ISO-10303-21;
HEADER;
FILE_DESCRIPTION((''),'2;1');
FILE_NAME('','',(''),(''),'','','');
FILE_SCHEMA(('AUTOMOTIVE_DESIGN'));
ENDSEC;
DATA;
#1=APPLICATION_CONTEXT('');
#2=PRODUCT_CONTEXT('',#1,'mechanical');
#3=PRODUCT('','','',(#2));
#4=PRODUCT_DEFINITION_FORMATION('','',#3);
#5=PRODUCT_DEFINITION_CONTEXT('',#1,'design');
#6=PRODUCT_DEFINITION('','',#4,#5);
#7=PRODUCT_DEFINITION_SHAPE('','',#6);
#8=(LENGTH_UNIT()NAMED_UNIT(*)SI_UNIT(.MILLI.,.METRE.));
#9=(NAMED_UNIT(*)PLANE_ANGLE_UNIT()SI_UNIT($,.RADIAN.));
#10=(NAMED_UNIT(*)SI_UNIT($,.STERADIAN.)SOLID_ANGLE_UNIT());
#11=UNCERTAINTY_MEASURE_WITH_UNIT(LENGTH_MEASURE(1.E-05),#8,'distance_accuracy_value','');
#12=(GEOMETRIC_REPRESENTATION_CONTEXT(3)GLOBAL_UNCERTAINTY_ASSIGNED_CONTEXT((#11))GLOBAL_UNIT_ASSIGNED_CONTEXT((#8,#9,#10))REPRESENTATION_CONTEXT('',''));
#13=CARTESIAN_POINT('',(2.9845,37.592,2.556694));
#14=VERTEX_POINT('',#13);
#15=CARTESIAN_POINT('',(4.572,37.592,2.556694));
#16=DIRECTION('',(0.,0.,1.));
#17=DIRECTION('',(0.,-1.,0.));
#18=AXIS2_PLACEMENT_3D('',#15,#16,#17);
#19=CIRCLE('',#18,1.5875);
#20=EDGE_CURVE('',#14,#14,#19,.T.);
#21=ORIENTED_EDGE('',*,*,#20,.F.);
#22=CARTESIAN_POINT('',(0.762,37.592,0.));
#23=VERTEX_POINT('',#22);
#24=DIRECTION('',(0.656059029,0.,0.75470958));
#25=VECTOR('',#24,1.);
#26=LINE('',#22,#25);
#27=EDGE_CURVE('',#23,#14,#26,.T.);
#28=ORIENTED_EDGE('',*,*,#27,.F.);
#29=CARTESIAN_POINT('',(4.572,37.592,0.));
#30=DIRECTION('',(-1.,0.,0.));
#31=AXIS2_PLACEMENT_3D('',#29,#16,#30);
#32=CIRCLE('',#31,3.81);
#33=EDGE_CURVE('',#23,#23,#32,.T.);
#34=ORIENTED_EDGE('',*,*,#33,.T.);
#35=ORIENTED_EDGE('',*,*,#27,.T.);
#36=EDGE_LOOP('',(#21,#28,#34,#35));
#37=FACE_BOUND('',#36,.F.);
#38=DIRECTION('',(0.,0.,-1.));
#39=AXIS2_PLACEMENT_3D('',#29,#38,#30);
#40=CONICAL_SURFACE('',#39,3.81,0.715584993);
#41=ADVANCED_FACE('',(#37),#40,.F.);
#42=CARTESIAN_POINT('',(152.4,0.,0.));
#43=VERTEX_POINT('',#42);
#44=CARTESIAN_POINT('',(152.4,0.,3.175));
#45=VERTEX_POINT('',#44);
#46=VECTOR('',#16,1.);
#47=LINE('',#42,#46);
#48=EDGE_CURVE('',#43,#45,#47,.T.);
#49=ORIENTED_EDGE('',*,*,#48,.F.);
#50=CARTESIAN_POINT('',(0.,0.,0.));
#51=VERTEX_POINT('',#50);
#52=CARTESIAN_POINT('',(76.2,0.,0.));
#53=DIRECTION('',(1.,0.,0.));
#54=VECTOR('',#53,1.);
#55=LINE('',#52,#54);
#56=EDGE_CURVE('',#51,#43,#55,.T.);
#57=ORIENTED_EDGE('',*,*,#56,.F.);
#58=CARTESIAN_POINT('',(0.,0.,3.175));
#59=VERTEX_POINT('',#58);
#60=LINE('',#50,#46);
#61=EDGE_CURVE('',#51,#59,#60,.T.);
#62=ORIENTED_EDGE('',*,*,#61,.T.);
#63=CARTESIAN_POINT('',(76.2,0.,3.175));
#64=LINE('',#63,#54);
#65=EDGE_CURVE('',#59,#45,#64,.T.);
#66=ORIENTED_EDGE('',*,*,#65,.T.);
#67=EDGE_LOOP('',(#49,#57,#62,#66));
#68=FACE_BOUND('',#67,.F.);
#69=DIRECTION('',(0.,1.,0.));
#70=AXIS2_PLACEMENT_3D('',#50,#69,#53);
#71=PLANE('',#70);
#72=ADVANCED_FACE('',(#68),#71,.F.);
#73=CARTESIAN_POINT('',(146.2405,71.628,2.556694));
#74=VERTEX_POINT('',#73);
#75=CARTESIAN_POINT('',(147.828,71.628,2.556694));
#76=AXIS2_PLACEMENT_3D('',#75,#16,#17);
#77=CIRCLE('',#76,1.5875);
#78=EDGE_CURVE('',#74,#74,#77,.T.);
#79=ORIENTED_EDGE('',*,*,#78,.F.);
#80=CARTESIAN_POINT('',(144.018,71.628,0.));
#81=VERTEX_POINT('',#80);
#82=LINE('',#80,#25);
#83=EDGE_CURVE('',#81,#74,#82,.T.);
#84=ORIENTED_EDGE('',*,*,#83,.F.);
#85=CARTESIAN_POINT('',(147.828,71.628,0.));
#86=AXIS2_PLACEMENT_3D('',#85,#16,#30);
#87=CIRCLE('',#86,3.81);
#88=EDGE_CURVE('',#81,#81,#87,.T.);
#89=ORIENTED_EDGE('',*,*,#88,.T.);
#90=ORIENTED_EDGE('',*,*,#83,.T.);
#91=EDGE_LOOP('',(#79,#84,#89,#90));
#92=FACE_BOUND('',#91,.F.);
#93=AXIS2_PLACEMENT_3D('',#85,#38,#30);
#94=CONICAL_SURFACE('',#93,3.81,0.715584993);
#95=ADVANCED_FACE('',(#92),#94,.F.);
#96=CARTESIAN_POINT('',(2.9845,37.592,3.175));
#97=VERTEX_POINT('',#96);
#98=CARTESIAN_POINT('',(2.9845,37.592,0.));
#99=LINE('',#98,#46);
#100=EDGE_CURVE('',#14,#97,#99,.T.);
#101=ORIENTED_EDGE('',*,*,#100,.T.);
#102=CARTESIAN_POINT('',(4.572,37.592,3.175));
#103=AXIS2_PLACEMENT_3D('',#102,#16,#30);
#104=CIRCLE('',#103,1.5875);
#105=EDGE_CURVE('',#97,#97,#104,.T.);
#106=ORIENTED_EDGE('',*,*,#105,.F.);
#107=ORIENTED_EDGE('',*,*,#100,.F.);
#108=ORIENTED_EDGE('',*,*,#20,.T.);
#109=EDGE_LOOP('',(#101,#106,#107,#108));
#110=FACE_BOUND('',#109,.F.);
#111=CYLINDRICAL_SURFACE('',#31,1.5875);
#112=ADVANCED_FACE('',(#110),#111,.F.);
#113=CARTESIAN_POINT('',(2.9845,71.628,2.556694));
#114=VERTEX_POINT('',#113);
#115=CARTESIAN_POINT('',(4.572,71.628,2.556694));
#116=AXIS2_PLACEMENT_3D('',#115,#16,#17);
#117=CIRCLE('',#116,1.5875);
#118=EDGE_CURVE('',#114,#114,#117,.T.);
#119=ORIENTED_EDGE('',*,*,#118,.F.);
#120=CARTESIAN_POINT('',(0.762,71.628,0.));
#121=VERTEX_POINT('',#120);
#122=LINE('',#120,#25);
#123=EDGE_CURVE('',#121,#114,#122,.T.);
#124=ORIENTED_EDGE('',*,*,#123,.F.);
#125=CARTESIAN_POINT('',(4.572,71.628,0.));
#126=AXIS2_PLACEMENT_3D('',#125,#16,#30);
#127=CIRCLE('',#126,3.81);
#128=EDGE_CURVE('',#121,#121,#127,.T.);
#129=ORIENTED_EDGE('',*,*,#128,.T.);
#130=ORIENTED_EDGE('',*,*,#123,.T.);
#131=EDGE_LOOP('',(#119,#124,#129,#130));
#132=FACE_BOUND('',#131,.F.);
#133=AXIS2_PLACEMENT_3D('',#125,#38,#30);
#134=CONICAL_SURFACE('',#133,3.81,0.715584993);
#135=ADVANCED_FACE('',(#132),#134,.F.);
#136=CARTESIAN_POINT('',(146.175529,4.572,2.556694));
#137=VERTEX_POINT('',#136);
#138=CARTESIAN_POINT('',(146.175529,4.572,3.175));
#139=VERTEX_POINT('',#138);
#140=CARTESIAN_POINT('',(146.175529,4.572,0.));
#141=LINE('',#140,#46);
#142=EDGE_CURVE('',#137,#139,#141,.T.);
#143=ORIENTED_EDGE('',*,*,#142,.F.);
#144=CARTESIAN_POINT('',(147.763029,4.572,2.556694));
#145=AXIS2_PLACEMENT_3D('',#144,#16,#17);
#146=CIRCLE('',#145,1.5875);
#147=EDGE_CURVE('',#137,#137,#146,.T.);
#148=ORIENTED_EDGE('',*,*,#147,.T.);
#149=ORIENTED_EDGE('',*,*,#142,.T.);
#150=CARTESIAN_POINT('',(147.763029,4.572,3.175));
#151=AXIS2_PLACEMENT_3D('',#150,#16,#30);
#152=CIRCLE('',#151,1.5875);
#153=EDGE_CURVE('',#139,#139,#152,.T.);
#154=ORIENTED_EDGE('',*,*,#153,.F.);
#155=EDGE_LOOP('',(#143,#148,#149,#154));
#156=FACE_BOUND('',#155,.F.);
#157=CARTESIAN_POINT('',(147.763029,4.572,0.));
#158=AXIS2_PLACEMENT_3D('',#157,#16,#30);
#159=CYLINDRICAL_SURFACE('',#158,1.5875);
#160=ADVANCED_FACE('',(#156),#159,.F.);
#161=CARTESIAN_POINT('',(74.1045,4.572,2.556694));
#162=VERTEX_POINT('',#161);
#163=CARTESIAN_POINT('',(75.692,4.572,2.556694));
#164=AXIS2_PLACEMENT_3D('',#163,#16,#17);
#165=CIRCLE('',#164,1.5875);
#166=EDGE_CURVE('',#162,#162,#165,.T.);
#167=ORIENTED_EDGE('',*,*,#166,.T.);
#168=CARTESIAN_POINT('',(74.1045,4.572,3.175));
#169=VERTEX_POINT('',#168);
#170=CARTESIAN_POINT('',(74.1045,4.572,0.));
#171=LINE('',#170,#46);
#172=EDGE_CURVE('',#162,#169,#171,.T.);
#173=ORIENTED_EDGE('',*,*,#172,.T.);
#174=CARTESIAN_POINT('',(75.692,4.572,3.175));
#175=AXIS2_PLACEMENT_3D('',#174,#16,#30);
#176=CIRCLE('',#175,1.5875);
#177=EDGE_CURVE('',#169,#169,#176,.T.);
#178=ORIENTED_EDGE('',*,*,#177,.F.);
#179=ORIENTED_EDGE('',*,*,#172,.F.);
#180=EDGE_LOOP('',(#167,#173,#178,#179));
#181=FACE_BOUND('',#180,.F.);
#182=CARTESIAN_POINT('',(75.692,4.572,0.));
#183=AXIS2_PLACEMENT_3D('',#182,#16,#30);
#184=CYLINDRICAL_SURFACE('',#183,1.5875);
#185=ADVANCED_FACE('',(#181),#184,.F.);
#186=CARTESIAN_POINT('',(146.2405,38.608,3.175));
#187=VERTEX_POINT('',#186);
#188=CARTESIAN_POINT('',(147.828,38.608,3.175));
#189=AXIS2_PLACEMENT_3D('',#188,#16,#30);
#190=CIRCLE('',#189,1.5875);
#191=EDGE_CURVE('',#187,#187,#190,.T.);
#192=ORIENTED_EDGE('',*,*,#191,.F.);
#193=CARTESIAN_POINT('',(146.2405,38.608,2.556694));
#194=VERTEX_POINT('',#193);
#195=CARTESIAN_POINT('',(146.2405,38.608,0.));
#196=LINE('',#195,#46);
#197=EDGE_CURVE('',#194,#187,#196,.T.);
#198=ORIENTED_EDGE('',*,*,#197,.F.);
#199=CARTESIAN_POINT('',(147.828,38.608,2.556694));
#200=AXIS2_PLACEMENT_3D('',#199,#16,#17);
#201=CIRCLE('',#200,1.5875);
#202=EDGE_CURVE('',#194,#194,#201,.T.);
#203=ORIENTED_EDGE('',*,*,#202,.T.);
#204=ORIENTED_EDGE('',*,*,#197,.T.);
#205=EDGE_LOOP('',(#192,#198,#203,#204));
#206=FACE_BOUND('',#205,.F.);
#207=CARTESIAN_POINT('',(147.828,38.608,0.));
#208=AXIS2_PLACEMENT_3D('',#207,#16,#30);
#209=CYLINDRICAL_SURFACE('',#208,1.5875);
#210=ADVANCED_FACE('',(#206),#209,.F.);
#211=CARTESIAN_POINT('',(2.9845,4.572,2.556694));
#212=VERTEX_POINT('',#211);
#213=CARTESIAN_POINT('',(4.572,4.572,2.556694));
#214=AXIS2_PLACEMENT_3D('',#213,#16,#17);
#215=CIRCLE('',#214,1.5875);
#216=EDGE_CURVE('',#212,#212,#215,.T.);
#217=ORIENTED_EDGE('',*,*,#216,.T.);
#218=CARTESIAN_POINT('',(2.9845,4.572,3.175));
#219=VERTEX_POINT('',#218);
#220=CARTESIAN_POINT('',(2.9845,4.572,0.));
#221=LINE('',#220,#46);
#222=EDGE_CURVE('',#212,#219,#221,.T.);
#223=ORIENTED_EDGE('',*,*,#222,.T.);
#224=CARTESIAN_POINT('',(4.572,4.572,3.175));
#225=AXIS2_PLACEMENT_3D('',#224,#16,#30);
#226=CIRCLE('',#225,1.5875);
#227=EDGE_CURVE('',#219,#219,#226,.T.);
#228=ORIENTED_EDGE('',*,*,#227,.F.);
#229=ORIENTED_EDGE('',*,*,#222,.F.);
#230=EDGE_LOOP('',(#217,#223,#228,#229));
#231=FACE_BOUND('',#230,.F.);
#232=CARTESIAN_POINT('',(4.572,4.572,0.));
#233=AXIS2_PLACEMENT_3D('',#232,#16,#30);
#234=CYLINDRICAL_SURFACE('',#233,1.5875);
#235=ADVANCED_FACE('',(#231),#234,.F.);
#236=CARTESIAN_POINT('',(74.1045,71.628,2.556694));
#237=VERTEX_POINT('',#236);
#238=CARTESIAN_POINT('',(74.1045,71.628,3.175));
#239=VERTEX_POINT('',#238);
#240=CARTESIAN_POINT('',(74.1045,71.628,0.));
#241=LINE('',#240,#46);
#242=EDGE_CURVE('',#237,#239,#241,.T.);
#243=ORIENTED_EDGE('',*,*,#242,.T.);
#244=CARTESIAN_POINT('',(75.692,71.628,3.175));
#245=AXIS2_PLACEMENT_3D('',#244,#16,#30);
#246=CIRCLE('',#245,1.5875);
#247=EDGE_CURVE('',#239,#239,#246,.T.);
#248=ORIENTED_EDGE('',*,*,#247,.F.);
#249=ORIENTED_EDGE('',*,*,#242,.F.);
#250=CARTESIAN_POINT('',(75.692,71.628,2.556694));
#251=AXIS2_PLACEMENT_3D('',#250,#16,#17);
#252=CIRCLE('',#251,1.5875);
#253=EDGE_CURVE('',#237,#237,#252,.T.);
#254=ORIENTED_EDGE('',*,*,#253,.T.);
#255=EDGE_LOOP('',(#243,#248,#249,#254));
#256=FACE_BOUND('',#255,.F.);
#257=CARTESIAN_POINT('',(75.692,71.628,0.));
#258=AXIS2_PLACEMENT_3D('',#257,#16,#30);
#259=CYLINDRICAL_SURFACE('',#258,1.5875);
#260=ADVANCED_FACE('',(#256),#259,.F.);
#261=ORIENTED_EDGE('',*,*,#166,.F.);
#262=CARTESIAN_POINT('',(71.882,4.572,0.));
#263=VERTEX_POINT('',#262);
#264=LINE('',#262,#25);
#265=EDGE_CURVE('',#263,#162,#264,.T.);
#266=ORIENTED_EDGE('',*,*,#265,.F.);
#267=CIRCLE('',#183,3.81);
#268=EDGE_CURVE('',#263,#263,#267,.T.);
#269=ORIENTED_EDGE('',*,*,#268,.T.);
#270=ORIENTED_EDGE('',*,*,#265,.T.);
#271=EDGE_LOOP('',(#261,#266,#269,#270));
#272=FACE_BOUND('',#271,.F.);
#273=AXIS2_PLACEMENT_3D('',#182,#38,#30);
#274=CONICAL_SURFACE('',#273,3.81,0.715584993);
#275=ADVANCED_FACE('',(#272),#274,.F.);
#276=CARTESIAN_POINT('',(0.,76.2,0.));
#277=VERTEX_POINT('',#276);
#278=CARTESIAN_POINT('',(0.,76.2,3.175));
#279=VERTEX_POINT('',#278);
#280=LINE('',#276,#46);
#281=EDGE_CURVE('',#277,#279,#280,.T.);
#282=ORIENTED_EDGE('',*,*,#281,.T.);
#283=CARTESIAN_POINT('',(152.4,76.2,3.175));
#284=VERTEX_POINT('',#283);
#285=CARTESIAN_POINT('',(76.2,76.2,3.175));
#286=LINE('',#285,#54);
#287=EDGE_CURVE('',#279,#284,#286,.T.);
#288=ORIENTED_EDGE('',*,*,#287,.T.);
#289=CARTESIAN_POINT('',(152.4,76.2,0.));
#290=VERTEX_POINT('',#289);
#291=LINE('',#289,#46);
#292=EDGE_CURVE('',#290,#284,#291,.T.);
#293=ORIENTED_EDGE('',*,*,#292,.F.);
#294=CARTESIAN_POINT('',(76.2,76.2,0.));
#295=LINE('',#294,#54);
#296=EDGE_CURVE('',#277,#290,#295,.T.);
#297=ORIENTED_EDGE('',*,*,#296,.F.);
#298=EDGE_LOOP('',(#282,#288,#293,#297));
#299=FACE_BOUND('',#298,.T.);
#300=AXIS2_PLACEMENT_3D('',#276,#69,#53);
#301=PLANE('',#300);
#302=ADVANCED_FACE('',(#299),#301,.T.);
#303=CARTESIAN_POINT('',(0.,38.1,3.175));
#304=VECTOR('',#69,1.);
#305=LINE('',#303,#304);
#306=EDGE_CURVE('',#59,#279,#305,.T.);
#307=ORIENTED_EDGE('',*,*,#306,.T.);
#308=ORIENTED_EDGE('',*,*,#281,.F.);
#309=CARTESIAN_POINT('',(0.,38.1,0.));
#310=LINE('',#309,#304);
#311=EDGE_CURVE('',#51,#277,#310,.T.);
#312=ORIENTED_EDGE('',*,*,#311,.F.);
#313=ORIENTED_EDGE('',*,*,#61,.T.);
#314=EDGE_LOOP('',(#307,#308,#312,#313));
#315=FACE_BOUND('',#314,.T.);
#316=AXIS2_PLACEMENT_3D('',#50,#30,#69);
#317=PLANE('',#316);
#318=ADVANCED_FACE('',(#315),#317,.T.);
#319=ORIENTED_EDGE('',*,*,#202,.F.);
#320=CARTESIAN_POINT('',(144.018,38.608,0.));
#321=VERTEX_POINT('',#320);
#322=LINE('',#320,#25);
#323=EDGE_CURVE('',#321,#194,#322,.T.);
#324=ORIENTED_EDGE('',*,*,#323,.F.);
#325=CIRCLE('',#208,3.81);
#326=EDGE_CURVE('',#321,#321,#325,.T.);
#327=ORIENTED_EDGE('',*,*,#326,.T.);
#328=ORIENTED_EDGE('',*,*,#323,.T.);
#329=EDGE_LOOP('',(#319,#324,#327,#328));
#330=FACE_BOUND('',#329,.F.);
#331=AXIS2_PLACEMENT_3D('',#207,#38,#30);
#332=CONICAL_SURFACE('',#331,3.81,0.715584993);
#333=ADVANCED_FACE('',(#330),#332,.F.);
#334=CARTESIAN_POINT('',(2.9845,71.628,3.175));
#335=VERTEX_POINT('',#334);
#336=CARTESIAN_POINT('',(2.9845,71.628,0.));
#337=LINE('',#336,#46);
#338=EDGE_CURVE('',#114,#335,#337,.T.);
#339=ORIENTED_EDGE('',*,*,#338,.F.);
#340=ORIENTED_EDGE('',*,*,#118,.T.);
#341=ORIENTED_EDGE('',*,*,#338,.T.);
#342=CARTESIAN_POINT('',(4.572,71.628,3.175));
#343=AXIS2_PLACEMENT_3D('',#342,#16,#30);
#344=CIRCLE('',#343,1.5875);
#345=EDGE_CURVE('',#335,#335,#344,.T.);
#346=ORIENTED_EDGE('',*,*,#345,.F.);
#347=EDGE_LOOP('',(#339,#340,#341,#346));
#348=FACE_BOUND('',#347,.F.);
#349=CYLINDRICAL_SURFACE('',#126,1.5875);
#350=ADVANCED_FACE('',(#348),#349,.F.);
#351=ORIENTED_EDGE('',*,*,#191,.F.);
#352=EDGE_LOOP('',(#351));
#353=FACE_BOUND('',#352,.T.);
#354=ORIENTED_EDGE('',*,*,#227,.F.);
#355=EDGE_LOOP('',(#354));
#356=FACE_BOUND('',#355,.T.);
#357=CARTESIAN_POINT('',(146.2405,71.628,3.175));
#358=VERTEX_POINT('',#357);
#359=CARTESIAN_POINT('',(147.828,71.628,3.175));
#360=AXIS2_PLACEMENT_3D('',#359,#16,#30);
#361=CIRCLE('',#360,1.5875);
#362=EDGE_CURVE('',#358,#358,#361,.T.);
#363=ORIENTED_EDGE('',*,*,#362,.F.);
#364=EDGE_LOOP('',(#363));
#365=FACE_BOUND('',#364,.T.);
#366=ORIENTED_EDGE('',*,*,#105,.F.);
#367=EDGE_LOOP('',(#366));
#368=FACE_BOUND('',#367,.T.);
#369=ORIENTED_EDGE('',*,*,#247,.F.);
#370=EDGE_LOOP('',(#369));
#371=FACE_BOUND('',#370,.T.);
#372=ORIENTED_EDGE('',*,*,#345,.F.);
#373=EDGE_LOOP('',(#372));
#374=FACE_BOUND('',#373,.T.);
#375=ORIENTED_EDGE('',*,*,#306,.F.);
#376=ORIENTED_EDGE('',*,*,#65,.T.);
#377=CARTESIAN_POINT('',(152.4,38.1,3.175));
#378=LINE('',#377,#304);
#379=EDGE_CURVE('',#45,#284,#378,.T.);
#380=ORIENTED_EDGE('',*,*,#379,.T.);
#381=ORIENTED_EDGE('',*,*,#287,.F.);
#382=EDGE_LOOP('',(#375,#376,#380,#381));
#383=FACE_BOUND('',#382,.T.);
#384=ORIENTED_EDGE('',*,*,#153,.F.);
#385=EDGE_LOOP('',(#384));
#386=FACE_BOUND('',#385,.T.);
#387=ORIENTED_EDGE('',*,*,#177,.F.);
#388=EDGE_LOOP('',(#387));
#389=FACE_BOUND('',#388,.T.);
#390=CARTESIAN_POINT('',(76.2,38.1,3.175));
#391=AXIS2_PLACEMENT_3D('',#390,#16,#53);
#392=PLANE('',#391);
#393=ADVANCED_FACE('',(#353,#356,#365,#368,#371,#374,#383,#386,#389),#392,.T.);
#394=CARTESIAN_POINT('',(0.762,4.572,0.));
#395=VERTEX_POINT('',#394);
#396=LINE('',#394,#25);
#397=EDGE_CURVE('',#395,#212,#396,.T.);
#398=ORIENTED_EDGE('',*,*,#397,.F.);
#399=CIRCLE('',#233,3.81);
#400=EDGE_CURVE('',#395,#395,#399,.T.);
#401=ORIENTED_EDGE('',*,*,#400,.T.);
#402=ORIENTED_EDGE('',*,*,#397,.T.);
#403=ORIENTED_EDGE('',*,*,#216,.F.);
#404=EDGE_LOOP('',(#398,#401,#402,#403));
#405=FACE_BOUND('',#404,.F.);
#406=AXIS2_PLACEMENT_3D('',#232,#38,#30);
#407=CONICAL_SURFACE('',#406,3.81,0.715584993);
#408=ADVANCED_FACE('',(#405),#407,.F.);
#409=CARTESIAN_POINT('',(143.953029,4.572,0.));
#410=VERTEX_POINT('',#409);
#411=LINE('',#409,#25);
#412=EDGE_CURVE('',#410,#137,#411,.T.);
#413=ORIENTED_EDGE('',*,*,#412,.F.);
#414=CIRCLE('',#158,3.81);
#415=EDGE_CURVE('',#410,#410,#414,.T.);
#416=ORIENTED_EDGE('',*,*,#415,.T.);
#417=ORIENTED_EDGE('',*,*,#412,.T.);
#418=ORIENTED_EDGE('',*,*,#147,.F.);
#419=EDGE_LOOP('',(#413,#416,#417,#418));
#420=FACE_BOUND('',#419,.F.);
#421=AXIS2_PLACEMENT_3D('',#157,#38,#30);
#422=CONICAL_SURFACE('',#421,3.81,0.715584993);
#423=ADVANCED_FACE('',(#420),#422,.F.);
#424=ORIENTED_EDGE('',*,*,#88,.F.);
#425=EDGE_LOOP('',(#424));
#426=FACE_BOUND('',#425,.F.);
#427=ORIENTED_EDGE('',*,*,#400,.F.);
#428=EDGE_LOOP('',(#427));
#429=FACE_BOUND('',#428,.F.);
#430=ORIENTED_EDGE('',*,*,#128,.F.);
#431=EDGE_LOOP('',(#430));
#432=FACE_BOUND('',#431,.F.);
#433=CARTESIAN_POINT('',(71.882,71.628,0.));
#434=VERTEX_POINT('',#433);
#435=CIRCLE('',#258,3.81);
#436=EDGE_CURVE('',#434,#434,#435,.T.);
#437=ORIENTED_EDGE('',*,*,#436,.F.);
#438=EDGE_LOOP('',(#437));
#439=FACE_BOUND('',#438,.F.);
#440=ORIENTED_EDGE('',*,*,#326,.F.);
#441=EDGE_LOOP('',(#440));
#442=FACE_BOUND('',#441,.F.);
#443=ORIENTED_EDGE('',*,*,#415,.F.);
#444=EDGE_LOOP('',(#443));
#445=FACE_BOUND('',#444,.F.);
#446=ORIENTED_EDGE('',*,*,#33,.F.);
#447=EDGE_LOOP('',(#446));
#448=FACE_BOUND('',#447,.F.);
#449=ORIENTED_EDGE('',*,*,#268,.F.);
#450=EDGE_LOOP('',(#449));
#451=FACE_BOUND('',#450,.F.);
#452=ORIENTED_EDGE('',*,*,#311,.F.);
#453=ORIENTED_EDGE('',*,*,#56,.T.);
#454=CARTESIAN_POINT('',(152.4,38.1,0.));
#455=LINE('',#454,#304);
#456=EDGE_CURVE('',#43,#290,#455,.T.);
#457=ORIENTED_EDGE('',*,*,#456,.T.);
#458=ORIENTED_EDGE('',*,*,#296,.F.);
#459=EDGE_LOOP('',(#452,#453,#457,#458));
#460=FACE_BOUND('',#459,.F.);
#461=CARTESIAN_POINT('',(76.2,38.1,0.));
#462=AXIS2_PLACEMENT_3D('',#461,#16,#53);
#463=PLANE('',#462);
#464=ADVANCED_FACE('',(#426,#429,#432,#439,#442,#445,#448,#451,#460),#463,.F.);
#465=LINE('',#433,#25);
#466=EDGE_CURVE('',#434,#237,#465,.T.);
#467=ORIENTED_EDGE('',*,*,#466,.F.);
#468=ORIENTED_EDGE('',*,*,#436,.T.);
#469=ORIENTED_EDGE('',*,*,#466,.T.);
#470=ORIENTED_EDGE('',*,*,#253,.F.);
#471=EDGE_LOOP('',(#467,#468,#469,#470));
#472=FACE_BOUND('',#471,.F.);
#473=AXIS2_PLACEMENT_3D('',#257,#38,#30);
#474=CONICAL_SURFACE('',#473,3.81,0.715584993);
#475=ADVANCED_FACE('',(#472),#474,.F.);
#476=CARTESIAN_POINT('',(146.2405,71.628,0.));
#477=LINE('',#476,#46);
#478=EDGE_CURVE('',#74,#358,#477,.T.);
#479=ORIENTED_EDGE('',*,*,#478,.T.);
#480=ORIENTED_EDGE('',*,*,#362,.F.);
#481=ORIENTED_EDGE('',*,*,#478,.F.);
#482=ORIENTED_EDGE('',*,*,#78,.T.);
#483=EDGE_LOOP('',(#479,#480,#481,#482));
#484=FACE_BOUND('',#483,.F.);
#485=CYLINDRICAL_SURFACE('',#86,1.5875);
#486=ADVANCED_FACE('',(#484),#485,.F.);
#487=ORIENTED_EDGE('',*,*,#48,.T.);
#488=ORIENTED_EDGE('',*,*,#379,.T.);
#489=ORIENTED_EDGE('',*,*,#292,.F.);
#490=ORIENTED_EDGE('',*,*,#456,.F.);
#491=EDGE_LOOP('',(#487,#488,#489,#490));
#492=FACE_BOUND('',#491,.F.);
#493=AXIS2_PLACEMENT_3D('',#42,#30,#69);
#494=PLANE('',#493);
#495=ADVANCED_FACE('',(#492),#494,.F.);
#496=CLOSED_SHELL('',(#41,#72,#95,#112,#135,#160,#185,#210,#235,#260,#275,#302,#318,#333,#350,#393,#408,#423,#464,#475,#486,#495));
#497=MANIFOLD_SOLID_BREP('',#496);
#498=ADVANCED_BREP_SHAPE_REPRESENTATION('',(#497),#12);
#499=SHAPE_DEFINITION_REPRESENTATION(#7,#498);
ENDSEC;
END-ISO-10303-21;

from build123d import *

# Parameters (mm, degrees)
F0_W           = 152.4
F0_H           = 76.2
F1_DEPTH       = 3.175
F3_D           = 3.175
F3_CSINK_D     = 7.62
F3_CSINK_ANGLE = 82


with BuildPart() as f1:
    # F0 (on Top) → F1 (new body)
    with BuildSketch(Plane.XY):
        with Locations((76.2, 38.1)):
            Rectangle(F0_W, F0_H)
    extrude(amount=F1_DEPTH)

    # F3 (through all)
    with Locations(Plane(origin=(0, 0, 0), x_dir=(1, 0, 0), z_dir=(0, 0, -1))):
        with Locations((4.572, -4.572), (4.572, -37.592), (4.572, -71.628), (75.692, -71.628), (147.828, -71.628), (147.828, -38.608), (147.828, -457.2), (75.692, -4.572), (147.763029, -4.572)):
            CounterSinkHole(F3_D / 2, F3_CSINK_D / 2, counter_sink_angle=F3_CSINK_ANGLE)


solid = f1.part
